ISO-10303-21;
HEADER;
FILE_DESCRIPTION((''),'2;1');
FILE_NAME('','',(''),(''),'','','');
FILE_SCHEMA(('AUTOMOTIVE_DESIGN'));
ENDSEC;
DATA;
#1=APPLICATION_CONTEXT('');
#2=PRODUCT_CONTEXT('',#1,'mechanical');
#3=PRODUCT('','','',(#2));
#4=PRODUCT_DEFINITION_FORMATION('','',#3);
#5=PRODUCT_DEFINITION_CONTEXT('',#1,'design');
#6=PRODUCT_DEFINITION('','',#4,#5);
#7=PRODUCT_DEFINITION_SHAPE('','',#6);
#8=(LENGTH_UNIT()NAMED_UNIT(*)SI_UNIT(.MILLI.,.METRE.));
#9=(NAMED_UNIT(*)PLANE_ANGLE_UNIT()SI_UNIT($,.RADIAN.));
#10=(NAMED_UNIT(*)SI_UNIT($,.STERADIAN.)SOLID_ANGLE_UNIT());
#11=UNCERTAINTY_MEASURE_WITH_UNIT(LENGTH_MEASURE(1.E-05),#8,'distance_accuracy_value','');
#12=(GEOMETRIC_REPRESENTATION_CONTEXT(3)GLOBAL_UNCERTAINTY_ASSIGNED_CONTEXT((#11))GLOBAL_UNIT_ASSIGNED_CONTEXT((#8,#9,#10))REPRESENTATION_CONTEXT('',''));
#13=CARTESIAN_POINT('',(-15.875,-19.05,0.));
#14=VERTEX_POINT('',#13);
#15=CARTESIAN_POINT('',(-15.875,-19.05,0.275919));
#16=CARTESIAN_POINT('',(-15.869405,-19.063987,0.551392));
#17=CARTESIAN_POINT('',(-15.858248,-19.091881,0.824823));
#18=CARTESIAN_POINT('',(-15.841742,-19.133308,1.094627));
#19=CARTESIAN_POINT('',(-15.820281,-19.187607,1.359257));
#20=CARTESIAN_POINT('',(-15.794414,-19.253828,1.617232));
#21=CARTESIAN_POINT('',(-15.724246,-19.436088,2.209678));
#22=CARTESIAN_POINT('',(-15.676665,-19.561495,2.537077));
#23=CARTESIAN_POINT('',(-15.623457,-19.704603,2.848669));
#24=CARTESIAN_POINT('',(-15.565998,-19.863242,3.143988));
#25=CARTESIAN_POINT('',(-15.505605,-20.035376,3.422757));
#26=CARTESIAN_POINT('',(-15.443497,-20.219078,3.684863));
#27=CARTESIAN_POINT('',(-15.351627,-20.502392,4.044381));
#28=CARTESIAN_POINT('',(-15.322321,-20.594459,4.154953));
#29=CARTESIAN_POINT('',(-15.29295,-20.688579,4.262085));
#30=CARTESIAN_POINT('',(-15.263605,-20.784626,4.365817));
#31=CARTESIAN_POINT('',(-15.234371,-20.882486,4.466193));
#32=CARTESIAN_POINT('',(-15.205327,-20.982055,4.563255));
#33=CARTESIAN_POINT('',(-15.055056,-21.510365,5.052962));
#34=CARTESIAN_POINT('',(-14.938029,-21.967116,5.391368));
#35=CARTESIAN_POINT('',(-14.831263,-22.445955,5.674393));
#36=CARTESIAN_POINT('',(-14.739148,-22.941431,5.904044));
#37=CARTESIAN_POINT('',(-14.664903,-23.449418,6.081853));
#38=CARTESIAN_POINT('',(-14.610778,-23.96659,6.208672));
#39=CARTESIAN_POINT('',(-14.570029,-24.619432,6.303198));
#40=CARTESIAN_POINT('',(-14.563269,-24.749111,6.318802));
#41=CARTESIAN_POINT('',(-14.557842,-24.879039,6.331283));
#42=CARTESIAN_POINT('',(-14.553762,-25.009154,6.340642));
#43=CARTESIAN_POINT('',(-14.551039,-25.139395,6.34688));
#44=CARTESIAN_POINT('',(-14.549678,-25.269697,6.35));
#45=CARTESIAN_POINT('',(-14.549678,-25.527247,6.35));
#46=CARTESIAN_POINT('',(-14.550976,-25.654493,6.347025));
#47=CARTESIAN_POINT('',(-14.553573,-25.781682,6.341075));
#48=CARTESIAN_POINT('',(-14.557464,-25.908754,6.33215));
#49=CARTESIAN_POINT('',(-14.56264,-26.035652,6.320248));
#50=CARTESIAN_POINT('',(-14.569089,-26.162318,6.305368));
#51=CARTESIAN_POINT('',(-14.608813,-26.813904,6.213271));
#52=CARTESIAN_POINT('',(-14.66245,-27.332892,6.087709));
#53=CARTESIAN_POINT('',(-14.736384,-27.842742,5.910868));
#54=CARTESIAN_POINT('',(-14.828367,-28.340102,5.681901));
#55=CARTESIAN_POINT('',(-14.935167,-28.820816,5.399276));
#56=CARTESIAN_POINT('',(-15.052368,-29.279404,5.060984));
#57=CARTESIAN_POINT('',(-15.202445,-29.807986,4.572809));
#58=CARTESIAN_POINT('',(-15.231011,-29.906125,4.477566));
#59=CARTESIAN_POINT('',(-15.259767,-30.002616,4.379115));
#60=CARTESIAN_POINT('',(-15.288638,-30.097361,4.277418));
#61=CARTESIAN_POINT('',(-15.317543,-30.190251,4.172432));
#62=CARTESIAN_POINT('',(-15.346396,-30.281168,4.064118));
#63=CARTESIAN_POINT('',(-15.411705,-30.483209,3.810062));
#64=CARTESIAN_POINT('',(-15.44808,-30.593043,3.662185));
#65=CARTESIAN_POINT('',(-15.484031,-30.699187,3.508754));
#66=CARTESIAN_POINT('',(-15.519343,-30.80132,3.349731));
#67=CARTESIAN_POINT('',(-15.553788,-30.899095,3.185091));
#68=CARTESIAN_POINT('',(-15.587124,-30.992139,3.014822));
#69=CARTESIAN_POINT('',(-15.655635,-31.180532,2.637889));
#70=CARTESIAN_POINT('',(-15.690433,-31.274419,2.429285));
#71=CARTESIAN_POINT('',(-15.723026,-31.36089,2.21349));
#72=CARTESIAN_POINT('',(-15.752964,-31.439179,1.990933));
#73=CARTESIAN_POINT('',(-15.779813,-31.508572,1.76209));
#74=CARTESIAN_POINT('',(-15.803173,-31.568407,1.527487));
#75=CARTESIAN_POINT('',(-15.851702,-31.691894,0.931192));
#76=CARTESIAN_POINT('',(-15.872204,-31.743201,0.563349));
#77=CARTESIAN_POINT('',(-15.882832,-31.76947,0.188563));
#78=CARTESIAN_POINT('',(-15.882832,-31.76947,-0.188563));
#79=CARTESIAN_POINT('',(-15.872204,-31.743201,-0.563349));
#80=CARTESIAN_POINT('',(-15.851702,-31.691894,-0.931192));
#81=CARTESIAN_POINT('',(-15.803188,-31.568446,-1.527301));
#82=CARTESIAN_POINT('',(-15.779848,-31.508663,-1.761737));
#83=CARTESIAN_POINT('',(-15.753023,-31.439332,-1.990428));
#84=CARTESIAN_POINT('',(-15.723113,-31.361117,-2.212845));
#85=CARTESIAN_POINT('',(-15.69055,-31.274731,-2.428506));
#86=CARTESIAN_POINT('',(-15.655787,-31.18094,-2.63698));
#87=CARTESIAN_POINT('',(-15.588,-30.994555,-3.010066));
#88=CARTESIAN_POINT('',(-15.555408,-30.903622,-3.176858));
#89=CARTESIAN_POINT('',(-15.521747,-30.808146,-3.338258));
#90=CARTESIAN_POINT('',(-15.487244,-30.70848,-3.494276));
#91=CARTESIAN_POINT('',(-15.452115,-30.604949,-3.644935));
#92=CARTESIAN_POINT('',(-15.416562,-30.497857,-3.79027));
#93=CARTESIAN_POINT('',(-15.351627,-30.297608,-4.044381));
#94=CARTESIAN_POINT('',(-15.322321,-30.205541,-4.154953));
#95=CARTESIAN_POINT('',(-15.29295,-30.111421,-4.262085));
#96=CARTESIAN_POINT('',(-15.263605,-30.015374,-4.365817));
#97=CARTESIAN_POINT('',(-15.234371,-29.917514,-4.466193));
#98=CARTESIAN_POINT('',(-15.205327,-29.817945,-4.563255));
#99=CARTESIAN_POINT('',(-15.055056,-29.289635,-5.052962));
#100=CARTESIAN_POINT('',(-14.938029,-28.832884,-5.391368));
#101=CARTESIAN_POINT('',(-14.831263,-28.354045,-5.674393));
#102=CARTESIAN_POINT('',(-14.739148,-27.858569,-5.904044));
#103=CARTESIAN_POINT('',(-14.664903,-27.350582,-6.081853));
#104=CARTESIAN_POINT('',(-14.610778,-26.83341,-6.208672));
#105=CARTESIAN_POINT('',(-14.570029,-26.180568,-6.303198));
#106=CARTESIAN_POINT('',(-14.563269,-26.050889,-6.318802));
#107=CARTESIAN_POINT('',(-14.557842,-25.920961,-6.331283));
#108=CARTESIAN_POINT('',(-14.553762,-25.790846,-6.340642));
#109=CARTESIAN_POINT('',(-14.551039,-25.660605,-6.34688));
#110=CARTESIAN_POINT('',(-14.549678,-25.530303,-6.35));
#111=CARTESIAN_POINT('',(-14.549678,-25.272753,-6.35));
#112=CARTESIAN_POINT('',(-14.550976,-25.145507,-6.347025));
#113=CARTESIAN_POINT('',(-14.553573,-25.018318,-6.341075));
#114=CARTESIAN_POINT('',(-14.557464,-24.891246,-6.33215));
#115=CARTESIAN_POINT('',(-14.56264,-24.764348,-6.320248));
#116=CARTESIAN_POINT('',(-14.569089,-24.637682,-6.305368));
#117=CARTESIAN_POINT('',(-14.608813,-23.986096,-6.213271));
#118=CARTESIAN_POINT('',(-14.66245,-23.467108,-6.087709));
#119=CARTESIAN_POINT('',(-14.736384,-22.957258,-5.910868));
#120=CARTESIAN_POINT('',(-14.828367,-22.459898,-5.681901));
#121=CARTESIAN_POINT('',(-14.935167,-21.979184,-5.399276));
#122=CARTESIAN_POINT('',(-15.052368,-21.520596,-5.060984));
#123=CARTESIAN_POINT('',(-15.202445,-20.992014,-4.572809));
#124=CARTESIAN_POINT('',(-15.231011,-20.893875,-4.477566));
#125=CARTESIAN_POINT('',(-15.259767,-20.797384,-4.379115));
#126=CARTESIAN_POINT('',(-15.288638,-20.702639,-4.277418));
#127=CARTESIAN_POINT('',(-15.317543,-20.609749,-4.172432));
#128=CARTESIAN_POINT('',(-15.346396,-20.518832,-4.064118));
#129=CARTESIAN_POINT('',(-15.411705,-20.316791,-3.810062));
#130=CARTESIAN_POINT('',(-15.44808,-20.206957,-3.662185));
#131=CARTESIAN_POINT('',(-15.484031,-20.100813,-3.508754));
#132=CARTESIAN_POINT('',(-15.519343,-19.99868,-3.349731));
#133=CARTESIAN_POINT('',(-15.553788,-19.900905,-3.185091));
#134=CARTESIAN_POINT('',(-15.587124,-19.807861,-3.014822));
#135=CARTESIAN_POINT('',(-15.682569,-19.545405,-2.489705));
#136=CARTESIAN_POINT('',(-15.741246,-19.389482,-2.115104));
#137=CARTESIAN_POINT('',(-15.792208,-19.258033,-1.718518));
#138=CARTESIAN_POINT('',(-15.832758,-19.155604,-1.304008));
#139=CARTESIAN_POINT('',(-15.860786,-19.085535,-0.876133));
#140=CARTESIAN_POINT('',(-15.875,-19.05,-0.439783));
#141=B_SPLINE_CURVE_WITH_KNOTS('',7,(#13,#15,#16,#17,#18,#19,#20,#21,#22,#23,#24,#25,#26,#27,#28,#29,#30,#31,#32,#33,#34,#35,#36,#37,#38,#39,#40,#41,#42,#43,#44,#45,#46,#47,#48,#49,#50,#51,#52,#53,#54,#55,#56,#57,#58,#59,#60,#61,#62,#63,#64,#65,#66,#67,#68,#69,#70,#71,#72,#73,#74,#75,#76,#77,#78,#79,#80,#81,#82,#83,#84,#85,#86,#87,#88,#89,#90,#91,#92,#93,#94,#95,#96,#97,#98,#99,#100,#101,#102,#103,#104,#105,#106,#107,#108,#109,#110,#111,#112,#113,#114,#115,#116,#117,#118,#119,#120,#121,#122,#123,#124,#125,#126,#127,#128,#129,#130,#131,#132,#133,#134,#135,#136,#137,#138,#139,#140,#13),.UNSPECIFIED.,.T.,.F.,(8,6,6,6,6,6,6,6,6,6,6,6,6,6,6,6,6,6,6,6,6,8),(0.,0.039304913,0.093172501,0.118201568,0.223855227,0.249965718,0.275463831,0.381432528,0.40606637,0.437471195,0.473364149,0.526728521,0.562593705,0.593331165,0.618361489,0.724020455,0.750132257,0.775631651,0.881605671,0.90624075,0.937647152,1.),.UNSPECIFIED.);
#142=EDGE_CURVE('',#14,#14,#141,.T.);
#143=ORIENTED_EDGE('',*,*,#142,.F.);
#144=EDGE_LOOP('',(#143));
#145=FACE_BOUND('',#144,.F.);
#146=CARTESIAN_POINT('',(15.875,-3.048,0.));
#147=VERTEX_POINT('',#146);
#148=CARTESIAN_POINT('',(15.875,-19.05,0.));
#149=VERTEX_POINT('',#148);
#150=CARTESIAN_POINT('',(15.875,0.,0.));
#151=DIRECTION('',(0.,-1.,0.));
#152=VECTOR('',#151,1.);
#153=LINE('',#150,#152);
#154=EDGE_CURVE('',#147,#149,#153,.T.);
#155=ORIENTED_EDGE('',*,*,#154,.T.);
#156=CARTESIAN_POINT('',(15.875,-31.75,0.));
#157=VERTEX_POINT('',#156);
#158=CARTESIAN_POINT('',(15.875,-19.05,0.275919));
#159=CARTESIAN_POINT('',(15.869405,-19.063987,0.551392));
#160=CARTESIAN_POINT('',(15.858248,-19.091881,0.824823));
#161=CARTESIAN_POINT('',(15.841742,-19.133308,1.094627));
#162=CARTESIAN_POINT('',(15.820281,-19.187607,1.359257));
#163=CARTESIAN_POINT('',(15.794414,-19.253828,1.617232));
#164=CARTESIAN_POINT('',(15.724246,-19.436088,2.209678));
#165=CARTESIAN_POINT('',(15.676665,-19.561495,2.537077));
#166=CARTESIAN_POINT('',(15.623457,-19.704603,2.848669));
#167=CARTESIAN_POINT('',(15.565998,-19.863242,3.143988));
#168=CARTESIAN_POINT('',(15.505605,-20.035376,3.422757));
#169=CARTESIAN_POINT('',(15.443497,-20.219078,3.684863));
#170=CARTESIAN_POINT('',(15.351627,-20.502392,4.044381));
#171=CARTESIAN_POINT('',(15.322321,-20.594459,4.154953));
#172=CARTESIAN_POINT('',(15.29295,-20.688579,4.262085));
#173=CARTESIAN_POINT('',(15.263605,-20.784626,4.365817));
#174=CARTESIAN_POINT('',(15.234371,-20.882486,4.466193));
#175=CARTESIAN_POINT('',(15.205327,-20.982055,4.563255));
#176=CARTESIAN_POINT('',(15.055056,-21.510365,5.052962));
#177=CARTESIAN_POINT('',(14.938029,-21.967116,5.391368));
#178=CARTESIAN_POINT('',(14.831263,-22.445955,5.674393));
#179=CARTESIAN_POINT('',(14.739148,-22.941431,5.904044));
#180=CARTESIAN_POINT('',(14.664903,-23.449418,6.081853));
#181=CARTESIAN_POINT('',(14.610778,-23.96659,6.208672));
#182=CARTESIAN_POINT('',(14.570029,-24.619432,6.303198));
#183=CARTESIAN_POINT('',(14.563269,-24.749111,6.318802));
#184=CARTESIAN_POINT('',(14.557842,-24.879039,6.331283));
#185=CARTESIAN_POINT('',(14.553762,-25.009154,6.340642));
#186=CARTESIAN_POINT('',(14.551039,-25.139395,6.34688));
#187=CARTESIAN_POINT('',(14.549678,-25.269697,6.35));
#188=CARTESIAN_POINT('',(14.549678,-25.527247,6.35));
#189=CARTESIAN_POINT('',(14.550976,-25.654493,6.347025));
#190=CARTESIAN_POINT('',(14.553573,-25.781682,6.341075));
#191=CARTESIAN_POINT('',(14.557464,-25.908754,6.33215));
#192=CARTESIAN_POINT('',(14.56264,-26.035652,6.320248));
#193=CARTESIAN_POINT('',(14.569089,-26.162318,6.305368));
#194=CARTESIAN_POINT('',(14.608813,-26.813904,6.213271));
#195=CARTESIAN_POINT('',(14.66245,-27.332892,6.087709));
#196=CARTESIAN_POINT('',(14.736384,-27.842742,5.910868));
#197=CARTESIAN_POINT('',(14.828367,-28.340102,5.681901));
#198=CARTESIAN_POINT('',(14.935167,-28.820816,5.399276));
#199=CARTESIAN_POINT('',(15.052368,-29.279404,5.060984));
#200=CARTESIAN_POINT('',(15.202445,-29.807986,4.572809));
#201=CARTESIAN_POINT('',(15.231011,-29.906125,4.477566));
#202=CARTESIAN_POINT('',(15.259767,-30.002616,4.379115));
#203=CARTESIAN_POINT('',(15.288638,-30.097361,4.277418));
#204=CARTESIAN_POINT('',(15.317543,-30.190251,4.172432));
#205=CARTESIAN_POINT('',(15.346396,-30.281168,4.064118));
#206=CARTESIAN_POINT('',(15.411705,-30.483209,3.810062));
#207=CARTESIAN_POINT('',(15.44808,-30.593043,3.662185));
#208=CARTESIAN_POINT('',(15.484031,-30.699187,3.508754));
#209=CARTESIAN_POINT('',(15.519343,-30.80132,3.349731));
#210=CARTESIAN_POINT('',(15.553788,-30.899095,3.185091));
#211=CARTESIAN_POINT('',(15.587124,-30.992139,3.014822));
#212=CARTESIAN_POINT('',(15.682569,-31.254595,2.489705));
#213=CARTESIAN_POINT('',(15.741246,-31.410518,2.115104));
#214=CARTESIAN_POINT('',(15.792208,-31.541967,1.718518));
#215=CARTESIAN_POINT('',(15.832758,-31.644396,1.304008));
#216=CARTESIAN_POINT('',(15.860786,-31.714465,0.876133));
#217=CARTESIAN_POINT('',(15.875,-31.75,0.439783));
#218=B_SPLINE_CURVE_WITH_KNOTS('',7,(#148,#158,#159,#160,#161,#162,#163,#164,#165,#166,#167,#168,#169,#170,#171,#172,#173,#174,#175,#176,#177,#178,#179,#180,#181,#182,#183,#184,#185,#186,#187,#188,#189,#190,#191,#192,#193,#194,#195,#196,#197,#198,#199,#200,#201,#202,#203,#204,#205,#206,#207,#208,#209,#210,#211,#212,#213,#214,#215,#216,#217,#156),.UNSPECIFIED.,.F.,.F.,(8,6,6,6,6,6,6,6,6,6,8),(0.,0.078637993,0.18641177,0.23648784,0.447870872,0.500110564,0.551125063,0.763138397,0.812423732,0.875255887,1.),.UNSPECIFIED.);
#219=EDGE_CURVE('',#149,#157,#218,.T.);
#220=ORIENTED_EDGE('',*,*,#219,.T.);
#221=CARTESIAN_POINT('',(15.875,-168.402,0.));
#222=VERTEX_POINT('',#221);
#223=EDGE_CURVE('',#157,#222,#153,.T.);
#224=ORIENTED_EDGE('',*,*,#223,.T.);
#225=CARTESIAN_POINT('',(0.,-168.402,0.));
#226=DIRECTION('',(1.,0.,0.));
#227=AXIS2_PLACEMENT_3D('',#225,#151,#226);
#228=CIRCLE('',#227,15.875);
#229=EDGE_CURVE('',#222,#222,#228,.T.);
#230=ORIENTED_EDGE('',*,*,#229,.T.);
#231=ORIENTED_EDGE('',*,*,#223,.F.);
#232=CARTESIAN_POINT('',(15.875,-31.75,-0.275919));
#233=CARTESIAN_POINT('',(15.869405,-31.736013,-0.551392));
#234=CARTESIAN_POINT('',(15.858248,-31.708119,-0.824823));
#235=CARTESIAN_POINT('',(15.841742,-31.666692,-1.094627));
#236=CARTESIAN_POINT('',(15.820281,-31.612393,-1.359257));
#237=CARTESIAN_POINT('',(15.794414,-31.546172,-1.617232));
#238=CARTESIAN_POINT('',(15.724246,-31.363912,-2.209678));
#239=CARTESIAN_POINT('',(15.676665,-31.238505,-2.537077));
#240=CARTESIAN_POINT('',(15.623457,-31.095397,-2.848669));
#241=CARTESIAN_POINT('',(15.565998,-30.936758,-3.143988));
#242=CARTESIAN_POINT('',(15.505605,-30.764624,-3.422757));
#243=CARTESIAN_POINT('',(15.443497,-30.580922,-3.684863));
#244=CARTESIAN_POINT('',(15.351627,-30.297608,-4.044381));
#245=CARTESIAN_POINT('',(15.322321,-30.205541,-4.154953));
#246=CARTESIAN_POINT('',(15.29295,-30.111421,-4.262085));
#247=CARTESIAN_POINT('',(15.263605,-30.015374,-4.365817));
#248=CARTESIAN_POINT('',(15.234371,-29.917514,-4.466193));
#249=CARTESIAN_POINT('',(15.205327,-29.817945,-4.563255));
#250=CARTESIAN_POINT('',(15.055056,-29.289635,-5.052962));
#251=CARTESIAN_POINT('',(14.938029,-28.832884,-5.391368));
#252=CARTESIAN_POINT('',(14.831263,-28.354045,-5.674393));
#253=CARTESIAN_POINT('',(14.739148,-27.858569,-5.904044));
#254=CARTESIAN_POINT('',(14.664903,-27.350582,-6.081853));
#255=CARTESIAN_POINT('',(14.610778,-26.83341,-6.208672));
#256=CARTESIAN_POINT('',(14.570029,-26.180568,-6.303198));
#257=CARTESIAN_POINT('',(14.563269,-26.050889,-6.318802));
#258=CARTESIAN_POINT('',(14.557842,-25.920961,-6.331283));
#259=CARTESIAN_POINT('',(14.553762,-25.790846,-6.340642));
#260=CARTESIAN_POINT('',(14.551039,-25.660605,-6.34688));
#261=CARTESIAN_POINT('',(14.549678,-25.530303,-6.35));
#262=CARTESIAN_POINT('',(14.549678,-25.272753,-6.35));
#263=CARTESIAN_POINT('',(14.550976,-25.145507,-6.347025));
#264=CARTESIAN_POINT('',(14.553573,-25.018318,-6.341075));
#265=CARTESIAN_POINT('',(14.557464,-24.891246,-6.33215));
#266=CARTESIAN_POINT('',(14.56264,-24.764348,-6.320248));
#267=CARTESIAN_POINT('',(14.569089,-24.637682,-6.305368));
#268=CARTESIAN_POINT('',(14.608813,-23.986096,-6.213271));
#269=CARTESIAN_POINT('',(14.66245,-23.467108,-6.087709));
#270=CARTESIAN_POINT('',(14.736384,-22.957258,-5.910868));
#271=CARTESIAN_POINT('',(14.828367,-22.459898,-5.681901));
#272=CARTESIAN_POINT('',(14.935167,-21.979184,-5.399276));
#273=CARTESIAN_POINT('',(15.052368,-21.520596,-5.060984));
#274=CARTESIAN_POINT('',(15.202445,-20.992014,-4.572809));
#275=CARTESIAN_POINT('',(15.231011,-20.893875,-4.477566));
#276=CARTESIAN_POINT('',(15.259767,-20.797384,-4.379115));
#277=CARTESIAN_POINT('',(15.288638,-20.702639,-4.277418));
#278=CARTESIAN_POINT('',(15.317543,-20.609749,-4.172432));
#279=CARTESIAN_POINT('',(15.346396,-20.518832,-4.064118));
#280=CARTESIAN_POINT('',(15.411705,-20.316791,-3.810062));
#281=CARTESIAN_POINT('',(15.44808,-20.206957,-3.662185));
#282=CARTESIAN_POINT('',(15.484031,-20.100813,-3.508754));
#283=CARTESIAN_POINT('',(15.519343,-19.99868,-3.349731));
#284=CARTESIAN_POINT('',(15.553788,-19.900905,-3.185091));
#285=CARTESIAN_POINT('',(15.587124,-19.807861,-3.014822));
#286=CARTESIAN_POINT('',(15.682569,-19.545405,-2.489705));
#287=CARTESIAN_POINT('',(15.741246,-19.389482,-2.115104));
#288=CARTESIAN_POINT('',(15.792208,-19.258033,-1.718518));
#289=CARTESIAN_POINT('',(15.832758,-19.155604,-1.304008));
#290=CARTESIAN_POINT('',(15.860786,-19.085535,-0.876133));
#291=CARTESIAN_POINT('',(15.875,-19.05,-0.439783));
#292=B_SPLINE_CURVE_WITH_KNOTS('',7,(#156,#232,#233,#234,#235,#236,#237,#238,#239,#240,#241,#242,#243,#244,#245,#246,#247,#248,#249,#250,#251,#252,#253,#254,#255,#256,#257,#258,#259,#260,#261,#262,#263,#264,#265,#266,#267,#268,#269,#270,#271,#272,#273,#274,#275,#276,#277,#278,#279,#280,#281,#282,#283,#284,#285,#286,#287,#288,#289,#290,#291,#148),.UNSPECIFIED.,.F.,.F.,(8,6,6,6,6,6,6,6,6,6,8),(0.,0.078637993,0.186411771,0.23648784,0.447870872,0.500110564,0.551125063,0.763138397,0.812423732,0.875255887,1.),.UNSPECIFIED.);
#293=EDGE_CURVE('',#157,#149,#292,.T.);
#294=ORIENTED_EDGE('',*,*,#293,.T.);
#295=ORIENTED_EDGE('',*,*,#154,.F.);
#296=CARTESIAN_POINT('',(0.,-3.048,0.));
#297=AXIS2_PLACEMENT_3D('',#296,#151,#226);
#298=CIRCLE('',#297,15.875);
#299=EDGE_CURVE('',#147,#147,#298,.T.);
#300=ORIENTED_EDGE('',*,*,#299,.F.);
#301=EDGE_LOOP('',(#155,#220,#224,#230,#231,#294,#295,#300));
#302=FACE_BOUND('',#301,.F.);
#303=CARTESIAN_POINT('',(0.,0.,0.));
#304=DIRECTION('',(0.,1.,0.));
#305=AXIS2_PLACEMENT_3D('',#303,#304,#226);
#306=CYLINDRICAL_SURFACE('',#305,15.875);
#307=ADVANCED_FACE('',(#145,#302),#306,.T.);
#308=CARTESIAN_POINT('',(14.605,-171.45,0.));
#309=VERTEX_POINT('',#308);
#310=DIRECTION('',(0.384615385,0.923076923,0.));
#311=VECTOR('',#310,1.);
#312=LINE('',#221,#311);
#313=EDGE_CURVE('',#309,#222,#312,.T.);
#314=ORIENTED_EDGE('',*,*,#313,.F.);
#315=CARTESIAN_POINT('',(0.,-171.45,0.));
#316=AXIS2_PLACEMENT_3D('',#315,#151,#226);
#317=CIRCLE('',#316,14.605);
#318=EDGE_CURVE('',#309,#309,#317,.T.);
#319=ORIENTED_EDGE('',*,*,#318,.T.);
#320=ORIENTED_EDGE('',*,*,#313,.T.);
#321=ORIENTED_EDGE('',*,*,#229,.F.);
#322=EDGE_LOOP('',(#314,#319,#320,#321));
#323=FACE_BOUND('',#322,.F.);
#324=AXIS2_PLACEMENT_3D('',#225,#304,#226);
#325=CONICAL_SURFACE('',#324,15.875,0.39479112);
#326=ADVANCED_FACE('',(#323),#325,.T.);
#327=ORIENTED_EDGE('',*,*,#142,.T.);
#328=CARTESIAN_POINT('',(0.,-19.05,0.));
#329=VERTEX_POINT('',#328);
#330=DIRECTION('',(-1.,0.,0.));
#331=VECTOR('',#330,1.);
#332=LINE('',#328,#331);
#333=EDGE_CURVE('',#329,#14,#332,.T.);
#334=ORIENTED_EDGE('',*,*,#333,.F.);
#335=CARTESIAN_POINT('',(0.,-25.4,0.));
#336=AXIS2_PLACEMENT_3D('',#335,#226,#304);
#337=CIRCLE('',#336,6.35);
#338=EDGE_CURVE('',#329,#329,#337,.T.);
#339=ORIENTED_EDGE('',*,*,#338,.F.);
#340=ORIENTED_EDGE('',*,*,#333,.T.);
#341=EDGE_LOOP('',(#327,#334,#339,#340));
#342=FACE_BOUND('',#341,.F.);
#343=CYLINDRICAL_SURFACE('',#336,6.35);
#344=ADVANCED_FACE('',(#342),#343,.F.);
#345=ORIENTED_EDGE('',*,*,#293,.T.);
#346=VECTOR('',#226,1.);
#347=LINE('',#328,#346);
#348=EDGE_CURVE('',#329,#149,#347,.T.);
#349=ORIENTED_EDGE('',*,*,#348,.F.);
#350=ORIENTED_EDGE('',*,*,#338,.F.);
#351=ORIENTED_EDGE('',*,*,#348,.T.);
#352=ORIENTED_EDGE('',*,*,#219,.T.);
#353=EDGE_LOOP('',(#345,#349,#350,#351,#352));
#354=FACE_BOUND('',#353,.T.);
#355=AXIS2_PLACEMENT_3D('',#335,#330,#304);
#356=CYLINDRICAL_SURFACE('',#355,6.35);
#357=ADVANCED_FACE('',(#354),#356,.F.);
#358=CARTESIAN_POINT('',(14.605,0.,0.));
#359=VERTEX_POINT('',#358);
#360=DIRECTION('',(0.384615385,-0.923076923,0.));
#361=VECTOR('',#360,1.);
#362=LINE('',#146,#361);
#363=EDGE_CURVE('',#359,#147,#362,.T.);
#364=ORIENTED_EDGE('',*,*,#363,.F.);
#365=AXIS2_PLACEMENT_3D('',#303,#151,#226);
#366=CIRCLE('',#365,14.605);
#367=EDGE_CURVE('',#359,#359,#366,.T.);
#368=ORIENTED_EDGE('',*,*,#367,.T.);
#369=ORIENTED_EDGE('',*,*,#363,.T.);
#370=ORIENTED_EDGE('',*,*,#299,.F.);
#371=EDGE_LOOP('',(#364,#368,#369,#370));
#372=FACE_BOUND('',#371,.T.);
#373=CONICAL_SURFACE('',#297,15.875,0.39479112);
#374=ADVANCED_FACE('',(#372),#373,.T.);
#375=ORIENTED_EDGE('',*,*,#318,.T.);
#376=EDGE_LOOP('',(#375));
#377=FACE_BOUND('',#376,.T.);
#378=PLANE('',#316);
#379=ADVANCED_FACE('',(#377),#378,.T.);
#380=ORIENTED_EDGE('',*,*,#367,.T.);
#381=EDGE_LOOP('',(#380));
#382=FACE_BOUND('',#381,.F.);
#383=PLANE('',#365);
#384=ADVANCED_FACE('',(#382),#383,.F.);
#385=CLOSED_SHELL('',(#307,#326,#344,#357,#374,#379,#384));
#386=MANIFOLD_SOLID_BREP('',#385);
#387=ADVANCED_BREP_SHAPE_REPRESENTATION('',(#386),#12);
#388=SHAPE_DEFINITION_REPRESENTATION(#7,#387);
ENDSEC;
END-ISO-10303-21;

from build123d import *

# Parameters (mm, degrees)
F0_R     = 15.875
F1_DEPTH = 171.45
F2_R     = 6.35
F3_DEPTH = 25.4
F4_DEPTH = 25.4
F5_SIZE2 = 3.048
F5_SIZE  = 1.27
F6_SIZE2 = 3.048
F6_SIZE  = 1.27


with BuildPart() as f1:
    # F0 (on Front) → F1 (new body)
    with BuildSketch(Plane.XZ):
        Circle(F0_R)
    extrude(amount=F1_DEPTH)

    # F2 (on Right) → F3 (cut)
    with BuildSketch(Plane.YZ):
        with Locations((-25.4, 0)):
            Circle(F2_R)
    extrude(amount=-F3_DEPTH, mode=Mode.SUBTRACT)

    # F4 (cut): a face of the model
    f4_faces = [f1.faces().sort_by_distance(p)[0] for p in [
        (0, -25.4, 0),
    ]]
    extrude(f4_faces, amount=-F4_DEPTH, mode=Mode.SUBTRACT)

    # F5
    f5_edges = [f1.edges().sort_by_distance(p)[0] for p in [
        (-15.875, -171.45, 0),
    ]]
    f5_side = f1.faces().sort_by_distance((0, -171.45, 0))[0]
    chamfer(f5_edges, length=F5_SIZE, length2=F5_SIZE2, reference=f5_side)

    # F6
    f6_edges = [f1.edges().sort_by_distance(p)[0] for p in [
        (-15.875, 0, 0),
    ]]
    f6_side = f1.faces().sort_by_distance((0, 0, 0))[0]
    chamfer(f6_edges, length=F6_SIZE, length2=F6_SIZE2, reference=f6_side)


solid = f1.part
